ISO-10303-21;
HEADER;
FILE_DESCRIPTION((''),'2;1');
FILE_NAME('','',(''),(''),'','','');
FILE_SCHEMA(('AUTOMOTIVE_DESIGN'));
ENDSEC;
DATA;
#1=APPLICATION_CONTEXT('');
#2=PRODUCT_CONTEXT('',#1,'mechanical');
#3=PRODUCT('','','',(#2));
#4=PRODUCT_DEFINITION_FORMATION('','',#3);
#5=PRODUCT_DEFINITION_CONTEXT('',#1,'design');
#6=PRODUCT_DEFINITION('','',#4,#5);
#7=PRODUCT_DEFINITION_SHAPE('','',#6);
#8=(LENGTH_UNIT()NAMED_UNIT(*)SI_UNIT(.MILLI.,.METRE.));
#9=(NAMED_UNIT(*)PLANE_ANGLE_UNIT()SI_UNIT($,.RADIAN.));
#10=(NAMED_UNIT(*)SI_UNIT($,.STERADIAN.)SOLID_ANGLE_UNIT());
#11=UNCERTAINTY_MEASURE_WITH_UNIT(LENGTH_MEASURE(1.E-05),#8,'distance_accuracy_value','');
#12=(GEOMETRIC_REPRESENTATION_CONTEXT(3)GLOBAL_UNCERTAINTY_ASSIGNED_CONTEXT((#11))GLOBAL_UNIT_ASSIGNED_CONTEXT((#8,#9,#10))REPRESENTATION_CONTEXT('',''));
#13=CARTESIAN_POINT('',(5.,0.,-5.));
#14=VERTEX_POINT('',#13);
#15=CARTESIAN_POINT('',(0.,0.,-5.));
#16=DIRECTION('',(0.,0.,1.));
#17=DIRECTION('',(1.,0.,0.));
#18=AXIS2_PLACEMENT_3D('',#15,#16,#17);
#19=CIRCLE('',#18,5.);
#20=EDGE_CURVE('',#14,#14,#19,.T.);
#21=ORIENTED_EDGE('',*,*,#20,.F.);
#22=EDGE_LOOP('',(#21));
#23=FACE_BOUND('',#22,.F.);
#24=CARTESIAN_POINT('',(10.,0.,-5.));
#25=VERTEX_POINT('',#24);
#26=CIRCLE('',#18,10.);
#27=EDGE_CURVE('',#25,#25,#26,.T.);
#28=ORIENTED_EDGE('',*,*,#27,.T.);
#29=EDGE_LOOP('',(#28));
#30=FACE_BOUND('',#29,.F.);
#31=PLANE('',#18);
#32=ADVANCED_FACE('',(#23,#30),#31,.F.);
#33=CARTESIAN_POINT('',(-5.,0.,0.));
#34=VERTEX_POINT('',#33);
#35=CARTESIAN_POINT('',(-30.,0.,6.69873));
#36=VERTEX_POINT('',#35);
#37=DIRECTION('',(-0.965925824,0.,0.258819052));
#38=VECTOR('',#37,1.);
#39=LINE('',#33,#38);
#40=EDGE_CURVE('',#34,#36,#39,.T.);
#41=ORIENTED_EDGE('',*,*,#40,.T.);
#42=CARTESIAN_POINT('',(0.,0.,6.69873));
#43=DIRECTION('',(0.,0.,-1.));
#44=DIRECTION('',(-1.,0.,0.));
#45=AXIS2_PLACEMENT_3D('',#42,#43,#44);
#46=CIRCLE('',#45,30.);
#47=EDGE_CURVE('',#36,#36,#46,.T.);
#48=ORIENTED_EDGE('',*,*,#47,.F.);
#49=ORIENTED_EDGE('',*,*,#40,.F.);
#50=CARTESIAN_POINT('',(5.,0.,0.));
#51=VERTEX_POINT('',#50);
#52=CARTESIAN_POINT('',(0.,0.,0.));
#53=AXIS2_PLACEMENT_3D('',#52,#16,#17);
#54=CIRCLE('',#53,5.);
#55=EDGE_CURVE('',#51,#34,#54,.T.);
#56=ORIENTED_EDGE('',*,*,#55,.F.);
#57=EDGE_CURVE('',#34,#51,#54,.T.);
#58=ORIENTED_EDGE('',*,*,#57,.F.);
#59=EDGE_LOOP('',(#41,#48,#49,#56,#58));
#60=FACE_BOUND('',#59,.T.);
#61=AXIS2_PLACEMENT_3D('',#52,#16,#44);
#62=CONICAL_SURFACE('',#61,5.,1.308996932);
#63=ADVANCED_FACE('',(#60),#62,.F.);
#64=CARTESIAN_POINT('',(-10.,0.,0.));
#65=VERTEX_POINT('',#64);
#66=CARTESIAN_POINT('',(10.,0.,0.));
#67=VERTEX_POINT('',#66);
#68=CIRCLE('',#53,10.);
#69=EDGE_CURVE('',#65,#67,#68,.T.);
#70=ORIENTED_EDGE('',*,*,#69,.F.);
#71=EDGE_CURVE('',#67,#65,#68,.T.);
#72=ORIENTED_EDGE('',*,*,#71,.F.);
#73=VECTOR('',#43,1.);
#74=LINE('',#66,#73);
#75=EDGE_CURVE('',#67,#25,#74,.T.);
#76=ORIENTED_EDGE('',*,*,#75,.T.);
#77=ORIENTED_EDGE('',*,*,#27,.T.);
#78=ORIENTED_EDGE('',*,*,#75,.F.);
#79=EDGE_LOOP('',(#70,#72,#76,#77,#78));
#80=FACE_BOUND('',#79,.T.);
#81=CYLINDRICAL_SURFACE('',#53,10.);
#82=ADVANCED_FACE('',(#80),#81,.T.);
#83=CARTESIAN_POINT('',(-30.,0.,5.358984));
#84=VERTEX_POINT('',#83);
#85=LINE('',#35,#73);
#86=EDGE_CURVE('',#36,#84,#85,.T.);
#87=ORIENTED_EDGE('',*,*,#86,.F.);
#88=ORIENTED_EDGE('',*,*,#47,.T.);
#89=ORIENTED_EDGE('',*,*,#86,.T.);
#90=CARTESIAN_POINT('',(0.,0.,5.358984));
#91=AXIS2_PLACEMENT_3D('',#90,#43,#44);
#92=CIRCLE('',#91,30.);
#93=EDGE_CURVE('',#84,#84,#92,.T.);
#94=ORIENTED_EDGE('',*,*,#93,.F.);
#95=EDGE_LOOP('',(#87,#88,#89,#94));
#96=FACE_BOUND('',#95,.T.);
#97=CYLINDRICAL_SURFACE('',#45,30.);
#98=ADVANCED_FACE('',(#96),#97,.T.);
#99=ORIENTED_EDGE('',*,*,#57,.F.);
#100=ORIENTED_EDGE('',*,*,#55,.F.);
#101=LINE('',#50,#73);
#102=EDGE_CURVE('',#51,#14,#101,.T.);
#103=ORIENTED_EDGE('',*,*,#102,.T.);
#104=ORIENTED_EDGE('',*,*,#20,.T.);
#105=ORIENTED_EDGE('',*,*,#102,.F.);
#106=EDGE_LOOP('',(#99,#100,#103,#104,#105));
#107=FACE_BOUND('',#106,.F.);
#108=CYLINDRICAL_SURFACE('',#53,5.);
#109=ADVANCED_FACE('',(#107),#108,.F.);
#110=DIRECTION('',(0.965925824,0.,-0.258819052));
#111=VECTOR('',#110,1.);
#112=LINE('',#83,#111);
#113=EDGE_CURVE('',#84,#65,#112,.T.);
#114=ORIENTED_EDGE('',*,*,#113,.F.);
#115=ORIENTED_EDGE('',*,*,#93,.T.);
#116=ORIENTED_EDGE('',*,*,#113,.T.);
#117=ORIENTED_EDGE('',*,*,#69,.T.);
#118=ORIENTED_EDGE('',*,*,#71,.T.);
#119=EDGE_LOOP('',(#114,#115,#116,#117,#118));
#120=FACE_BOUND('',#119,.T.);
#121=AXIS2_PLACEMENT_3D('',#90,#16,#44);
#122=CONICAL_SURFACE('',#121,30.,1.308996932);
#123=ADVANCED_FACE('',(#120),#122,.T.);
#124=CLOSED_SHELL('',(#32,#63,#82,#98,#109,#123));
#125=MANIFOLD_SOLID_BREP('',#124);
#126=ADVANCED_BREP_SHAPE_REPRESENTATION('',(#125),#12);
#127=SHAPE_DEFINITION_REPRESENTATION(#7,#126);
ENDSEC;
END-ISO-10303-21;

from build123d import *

# Parameters (mm, degrees)
F0_R     = 10
F0_R_2   = 5
F1_DEPTH = 5


with BuildPart() as f1:
    # F0 (on Top) → F1 (new body)
    with BuildSketch(Plane.XY):
        Circle(F0_R)
        Circle(F0_R_2, mode=Mode.SUBTRACT)
    extrude(amount=-F1_DEPTH)

    # F2 (on Front) → F4 (revolve)
    with BuildSketch(Plane.XZ):
        Polygon((-30, 5.358984), (-10, 0), (-5, 0), (-30, 6.69873), align=None)
    revolve(axis=Axis((0, 0, -11.40601), (0, 0, -1)))


solid = f1.part
